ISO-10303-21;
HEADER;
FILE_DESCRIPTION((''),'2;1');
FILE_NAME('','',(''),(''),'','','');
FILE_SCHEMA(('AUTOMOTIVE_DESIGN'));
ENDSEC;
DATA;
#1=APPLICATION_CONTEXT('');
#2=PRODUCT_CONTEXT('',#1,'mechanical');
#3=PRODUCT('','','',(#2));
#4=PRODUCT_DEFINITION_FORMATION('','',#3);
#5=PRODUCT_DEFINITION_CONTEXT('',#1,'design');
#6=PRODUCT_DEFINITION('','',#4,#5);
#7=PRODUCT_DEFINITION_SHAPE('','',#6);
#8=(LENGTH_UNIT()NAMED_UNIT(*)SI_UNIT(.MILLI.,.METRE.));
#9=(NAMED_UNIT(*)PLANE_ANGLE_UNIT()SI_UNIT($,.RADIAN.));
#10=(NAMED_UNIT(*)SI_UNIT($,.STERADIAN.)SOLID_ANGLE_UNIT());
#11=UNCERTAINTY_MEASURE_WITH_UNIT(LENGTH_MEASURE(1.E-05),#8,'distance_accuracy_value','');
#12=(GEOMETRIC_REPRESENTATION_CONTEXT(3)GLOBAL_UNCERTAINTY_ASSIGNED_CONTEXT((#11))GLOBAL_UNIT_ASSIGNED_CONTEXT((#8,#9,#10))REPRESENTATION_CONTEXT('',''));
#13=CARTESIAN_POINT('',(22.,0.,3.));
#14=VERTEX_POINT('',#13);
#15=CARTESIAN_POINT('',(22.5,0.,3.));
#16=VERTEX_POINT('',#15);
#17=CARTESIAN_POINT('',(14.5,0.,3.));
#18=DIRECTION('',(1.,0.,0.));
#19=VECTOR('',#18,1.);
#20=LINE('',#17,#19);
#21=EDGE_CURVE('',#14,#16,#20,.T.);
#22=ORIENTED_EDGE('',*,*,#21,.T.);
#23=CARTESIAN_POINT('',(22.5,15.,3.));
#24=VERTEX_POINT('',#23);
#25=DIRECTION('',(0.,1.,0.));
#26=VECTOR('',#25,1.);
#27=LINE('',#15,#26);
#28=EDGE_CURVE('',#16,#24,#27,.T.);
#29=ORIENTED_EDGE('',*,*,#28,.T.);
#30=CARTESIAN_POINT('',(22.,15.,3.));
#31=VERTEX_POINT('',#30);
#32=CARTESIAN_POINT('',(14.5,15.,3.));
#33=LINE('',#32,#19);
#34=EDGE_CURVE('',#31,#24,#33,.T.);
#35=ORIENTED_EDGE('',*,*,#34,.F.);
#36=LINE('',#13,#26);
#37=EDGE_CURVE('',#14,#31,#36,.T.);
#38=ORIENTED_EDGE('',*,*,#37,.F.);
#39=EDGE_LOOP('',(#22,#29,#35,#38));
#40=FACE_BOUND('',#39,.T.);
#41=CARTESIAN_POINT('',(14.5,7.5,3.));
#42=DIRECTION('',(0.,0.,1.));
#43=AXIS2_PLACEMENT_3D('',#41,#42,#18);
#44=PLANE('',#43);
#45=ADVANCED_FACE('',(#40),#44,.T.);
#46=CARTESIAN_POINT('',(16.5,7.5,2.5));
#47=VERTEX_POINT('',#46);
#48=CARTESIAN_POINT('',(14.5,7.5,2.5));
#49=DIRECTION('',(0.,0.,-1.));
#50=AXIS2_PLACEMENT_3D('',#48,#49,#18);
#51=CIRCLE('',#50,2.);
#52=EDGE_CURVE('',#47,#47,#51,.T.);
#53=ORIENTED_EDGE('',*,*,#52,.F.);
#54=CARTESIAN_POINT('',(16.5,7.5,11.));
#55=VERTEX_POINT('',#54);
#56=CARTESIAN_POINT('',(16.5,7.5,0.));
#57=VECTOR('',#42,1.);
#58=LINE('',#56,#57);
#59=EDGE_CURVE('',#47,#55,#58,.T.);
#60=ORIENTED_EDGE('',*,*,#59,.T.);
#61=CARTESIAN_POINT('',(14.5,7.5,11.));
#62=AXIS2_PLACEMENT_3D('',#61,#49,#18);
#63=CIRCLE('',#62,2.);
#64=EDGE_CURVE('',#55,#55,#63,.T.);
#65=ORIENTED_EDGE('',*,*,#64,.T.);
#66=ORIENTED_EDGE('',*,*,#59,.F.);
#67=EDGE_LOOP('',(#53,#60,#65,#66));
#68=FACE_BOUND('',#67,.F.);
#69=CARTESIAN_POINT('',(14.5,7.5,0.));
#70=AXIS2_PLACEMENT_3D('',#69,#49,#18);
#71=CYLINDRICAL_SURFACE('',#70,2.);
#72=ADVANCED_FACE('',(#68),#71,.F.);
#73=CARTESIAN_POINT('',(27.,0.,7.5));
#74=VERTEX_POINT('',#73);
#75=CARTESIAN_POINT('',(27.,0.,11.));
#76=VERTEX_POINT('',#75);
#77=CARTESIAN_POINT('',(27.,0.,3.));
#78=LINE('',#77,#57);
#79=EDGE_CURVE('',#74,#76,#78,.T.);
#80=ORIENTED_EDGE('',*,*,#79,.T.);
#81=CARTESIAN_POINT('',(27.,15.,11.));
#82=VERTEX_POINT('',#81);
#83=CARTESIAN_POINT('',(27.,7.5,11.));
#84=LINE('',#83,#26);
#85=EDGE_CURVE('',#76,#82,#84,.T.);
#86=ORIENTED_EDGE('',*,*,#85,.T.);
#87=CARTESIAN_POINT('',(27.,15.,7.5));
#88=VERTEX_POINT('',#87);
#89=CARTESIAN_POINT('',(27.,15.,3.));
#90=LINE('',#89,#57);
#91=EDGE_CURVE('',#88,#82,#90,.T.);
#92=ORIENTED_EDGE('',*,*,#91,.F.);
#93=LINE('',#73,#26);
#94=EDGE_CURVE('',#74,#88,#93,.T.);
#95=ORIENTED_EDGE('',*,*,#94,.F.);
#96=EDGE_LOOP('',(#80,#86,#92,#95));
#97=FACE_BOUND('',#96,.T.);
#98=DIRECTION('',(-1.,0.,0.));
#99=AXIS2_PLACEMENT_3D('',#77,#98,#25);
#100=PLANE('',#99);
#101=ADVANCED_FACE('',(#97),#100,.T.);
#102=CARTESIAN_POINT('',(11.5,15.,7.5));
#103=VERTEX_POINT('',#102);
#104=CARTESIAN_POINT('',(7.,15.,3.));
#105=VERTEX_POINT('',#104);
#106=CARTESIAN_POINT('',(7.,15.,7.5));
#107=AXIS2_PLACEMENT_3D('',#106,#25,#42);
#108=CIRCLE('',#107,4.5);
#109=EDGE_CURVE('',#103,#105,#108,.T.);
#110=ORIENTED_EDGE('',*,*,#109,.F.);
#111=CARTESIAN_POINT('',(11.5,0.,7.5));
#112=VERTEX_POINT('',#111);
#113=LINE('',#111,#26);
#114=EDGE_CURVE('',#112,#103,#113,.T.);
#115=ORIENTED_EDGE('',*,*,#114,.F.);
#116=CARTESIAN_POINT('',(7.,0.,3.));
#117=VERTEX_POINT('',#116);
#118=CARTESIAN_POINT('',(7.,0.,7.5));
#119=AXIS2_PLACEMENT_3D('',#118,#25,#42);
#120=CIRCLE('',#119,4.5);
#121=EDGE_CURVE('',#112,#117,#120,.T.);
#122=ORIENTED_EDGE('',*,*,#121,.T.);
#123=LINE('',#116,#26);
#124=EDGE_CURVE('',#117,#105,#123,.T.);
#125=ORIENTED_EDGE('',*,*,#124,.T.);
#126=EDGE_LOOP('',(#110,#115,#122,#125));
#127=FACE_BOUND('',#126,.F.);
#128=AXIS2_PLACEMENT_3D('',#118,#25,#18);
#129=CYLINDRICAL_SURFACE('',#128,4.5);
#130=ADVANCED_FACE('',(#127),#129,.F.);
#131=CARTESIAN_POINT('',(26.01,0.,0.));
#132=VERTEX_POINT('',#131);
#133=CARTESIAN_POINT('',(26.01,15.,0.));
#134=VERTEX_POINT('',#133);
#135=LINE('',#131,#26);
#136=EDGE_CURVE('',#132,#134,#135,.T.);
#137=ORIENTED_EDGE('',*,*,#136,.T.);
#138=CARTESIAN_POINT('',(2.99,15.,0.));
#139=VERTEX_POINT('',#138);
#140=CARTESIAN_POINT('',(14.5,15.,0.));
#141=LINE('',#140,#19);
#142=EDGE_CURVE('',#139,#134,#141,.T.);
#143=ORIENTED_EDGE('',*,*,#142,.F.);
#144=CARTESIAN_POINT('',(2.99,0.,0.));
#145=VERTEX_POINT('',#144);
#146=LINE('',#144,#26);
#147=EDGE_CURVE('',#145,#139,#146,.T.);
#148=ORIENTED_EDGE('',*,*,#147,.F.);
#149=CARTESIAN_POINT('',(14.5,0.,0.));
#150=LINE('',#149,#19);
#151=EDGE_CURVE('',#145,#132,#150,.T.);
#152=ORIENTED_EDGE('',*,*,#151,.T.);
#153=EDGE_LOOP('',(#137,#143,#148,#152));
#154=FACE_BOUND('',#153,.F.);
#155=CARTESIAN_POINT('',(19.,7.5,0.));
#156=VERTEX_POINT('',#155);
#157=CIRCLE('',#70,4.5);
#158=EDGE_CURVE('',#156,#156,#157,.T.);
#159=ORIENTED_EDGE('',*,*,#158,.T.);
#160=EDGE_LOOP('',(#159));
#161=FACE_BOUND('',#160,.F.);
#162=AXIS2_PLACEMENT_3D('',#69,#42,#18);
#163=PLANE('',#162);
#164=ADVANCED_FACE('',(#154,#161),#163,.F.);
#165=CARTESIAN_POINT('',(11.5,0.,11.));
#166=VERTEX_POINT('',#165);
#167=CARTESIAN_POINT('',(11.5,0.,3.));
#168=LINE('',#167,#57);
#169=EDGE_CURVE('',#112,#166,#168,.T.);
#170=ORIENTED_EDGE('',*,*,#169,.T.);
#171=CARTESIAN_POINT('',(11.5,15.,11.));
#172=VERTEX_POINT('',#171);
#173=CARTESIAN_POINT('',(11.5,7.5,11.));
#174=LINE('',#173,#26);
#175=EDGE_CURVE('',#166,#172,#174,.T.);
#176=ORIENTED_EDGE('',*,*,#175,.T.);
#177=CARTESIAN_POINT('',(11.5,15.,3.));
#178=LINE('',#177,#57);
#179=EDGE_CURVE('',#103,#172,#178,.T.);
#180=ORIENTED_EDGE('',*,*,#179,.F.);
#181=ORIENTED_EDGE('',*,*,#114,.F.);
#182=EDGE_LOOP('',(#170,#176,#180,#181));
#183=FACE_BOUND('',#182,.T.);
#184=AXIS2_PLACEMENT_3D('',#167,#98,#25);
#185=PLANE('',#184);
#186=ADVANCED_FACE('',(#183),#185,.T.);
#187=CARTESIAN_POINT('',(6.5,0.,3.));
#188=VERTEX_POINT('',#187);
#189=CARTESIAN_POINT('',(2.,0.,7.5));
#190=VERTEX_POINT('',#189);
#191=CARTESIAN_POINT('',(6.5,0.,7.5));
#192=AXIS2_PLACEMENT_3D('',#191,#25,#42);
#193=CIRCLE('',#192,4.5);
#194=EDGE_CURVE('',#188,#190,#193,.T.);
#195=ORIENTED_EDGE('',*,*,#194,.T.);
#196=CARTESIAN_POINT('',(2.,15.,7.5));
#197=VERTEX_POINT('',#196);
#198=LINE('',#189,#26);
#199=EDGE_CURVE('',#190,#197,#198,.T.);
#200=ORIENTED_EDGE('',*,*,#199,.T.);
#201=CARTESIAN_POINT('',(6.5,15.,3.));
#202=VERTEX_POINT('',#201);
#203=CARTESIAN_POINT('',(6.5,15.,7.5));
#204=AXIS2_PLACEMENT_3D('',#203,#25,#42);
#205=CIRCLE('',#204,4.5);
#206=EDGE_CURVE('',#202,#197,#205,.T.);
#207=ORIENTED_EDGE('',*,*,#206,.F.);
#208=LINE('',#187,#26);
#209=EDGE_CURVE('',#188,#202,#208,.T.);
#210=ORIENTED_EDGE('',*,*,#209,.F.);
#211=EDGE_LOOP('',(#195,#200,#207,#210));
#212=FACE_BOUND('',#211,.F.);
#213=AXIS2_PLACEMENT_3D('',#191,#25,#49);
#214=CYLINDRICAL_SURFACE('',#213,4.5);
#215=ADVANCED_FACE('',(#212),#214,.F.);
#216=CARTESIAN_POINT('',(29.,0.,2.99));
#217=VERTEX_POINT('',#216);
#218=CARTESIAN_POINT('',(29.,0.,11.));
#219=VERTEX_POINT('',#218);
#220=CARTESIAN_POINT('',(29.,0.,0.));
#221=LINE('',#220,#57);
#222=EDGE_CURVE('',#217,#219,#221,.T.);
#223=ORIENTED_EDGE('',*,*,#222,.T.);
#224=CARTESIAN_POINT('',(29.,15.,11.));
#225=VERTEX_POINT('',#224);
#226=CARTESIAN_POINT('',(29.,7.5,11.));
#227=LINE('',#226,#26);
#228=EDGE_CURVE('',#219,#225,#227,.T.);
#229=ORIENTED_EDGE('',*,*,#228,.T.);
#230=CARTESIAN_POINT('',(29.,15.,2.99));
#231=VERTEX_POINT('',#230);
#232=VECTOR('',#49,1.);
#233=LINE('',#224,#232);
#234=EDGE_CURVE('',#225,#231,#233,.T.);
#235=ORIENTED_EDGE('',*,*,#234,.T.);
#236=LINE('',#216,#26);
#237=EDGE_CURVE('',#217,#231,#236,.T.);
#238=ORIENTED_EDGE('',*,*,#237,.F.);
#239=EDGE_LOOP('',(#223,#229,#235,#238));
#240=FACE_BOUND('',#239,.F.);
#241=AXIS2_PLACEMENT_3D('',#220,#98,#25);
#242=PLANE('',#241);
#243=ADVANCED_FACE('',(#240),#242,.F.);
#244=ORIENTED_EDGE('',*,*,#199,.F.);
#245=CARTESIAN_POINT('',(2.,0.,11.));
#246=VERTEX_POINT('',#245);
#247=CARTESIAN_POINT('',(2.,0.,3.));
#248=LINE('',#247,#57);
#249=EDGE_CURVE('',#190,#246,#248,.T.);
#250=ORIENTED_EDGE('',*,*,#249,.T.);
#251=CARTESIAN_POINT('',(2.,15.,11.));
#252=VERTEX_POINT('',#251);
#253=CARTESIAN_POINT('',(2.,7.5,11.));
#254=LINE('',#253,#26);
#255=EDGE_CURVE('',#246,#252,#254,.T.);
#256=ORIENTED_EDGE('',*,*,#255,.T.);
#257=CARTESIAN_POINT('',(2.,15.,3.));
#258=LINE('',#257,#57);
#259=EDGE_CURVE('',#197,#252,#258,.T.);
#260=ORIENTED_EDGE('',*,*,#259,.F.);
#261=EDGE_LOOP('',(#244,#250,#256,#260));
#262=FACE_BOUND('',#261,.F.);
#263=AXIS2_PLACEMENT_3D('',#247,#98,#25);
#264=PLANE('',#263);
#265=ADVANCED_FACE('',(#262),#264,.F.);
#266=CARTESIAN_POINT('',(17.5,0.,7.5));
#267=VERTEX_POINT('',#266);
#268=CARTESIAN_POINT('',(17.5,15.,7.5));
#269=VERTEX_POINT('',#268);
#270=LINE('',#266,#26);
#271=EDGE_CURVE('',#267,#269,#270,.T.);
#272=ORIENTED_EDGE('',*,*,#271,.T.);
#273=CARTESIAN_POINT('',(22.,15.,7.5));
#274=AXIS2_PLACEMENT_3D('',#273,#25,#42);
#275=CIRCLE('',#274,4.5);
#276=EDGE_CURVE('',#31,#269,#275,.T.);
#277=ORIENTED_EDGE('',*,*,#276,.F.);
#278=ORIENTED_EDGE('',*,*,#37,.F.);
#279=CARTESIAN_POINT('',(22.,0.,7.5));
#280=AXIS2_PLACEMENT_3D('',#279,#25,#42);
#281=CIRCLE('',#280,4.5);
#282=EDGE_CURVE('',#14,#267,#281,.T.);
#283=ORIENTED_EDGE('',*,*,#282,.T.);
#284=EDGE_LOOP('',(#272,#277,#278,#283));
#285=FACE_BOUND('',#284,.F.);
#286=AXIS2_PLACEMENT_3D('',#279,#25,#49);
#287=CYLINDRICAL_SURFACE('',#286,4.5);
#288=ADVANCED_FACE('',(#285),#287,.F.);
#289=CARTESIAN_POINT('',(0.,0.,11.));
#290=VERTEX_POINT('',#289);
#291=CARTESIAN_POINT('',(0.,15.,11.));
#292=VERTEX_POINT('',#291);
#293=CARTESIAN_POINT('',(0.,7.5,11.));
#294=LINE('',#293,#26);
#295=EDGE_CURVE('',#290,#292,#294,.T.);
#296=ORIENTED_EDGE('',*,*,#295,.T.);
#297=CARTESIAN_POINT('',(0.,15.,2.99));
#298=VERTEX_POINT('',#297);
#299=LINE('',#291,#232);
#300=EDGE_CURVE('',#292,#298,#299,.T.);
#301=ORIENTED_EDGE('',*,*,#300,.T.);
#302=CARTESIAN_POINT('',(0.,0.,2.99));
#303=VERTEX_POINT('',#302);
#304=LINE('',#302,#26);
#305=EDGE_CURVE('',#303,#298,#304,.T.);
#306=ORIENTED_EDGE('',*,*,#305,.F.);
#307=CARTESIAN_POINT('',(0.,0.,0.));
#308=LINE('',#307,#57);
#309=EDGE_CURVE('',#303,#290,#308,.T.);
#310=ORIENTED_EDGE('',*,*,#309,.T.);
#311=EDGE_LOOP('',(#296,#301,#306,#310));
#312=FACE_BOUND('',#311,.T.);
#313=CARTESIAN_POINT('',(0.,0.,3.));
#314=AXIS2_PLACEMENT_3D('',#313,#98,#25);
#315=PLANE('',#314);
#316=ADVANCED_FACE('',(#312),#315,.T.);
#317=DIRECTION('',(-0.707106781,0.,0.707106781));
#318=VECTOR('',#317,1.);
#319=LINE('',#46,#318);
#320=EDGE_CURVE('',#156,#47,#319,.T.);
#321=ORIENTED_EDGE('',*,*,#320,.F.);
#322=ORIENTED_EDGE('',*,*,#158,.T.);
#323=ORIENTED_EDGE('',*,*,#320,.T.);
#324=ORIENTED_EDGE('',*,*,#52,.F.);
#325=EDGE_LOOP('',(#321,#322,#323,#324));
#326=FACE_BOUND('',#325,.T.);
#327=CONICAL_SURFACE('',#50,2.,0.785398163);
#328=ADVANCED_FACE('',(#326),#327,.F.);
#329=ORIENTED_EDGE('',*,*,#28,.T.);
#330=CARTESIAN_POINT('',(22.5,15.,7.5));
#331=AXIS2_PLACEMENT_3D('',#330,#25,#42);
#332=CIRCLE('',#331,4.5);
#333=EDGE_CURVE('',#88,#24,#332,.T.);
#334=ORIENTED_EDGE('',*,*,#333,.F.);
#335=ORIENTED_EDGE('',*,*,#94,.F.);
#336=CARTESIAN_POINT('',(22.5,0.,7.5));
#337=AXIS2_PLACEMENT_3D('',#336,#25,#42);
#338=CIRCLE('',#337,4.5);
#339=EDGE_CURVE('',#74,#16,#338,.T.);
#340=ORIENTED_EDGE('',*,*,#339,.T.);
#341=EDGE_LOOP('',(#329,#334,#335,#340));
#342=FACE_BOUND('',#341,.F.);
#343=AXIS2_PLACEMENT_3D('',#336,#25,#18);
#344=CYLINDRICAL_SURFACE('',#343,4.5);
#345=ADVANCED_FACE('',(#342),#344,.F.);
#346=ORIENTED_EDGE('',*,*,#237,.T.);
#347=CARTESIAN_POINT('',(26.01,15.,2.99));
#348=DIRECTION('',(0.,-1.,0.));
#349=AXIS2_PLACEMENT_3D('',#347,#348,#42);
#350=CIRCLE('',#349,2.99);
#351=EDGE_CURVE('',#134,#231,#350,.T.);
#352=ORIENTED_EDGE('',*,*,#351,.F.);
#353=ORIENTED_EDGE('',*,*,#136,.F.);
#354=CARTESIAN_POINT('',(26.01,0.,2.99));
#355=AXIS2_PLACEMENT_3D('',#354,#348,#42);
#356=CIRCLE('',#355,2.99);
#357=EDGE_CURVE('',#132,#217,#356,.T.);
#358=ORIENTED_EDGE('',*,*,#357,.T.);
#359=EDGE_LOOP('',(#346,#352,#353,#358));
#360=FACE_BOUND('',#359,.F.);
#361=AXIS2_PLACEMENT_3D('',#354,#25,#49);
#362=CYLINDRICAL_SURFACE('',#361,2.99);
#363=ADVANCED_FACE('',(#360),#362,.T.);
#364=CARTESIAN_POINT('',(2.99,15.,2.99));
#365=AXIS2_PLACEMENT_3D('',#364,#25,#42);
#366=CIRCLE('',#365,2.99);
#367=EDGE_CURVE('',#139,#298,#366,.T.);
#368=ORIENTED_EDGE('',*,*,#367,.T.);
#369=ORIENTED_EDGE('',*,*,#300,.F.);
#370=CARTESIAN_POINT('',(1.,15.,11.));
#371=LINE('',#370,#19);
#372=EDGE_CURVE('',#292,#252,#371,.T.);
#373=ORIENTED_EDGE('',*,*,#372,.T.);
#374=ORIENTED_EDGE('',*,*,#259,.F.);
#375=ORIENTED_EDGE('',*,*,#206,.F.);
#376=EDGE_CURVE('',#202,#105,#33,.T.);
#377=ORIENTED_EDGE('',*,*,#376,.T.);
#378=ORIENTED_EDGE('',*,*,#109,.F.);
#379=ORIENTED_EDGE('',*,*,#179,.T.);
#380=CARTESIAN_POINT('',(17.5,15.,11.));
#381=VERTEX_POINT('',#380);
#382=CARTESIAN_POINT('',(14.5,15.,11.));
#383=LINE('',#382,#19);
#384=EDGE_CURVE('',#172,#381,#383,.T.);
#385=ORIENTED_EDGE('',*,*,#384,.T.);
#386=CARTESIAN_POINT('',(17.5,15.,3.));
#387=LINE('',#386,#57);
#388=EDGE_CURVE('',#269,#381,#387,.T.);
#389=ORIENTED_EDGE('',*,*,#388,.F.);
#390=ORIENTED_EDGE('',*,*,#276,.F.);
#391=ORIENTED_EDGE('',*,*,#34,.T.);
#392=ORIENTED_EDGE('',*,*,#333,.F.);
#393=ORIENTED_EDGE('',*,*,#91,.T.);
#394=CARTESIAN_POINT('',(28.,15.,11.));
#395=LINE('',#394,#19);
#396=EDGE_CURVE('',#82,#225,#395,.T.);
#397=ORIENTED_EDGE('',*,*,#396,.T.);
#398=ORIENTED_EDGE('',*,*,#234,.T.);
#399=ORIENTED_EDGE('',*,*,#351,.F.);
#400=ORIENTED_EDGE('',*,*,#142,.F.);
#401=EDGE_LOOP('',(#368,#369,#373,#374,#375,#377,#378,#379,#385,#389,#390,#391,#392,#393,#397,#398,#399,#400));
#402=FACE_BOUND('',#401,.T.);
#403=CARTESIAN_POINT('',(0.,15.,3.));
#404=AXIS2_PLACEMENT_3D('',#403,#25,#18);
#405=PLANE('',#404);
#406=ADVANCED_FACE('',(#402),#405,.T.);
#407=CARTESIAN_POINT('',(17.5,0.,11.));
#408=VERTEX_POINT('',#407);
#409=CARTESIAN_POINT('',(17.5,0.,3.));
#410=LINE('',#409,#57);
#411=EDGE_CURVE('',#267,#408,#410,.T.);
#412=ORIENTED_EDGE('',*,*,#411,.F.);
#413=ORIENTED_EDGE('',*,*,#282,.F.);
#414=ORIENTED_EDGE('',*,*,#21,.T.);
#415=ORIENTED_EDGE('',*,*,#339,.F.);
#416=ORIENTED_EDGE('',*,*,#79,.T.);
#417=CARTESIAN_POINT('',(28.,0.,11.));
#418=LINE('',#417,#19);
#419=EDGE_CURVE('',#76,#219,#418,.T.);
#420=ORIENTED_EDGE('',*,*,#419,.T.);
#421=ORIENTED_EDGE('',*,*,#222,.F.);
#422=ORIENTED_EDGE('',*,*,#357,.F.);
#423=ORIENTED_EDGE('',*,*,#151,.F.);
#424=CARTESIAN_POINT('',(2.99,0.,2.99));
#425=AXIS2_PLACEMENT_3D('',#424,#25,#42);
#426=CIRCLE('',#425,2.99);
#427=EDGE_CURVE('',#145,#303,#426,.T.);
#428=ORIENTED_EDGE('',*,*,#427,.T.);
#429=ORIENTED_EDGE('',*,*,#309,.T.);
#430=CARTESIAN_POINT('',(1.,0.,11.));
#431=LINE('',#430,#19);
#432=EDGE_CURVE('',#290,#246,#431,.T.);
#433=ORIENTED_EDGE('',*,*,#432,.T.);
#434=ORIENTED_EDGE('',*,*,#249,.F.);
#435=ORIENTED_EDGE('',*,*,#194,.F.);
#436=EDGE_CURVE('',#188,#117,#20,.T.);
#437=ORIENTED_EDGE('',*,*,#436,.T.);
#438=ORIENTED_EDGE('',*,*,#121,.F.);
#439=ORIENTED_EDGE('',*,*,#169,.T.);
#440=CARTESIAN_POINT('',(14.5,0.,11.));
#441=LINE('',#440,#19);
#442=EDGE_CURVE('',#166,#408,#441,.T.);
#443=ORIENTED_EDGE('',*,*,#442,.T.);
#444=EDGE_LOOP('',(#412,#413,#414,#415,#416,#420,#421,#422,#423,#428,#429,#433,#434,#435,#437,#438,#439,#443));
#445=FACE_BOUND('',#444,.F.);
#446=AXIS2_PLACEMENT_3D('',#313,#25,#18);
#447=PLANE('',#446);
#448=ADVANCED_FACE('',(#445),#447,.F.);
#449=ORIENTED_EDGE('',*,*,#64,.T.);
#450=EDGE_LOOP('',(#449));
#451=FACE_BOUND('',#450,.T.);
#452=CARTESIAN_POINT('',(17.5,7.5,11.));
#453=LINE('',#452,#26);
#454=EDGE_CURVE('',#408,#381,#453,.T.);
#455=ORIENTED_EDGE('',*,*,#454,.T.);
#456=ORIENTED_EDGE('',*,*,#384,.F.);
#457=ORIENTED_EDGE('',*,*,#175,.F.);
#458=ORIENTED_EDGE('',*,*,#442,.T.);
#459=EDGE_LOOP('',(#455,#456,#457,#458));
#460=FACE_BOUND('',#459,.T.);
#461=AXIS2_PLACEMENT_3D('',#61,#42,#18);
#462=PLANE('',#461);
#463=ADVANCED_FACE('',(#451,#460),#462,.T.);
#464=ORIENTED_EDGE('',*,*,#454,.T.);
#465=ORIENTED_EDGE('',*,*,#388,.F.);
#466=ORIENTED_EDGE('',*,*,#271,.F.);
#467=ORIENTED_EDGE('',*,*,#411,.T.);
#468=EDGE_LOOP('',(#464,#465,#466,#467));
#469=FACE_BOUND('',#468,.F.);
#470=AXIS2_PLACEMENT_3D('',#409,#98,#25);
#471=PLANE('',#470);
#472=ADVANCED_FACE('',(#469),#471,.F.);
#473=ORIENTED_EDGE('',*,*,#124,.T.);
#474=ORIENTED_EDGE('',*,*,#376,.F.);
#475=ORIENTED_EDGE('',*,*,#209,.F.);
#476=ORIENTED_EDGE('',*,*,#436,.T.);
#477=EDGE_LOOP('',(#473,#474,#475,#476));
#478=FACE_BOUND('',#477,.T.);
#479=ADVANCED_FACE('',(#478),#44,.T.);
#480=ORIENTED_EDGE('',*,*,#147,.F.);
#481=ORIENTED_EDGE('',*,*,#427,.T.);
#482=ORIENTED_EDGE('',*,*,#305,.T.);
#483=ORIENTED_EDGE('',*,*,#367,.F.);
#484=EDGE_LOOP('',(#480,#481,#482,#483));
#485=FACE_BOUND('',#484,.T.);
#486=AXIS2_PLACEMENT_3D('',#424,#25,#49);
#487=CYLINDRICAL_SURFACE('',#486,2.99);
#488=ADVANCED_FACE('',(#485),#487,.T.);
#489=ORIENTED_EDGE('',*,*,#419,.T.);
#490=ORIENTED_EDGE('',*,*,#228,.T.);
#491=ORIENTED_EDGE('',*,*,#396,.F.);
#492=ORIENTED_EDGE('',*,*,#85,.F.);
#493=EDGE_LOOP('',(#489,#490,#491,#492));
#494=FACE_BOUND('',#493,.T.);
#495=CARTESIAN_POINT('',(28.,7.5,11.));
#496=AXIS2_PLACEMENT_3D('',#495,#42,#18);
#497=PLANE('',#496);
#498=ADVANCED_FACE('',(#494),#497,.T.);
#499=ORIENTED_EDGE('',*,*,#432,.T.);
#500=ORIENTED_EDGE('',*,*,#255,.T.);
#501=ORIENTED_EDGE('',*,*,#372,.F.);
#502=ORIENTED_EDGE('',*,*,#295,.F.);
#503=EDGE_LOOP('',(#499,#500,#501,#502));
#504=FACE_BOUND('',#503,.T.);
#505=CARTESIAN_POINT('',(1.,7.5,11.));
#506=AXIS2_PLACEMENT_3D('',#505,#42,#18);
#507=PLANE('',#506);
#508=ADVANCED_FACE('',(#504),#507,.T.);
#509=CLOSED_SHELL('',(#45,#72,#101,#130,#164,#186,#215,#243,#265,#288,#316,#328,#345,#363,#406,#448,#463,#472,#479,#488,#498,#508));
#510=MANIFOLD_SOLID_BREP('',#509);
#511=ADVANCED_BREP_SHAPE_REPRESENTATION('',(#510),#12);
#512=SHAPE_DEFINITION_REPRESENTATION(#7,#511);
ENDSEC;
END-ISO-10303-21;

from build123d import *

# Parameters (mm, degrees)
SKETCH_W      = 29
SKETCH_H      = 15
PAD_DEPTH     = 3
SKETCH001_W   = 2
SKETCH001_H   = 15
SKETCH001_W_2 = 6
PAD001_DEPTH  = 8
FILLET_R      = 4.5
SKETCH002_R   = 2
POCKET_DEPTH  = 11.001
CHAMFER_SIZE  = 2.5
FILLET001_R   = 2.99


with BuildPart() as part:
    # Sketch → Pad (new body)
    with BuildSketch(Plane.XY):
        with Locations((14.5, 7.5)):
            Rectangle(SKETCH_W, SKETCH_H)
    extrude(amount=PAD_DEPTH)

    # Sketch001 (on Face6 of Pad) → Pad001 (join)
    with BuildSketch(Plane.XY.offset(3)):
        with Locations((1, 7.5)):
            Rectangle(SKETCH001_W, SKETCH001_H)
        with Locations((14.5, 7.5)):
            Rectangle(SKETCH001_W_2, SKETCH001_H)
        with Locations((28, 7.5)):
            Rectangle(SKETCH001_W, SKETCH001_H)
    extrude(amount=PAD001_DEPTH)

    # Fillet
    fillet_edges = [part.edges().sort_by_distance(p)[0] for p in [
        (2, 7.5, 3),
        (11.5, 7.5, 3),
        (17.5, 7.5, 3),
        (27, 7.5, 3),
    ]]
    fillet(fillet_edges, radius=FILLET_R)

    # Sketch002 (on Face6 of Fillet) → Pocket (cut, through all)
    with BuildSketch(Plane(origin=(0, 0, 0), x_dir=(1, 0, 0), z_dir=(0, 0, -1))):
        with Locations((14.5, -7.5)):
            Circle(SKETCH002_R)
    extrude(amount=-POCKET_DEPTH, mode=Mode.SUBTRACT)

    # Chamfer
    chamfer_edges = [part.edges().sort_by_distance(p)[0] for p in [
        (12.5, 7.5, 0),
    ]]
    chamfer(chamfer_edges, length=CHAMFER_SIZE)

    # Fillet001
    fillet001_edges = [part.edges().sort_by_distance(p)[0] for p in [
        (0, 7.5, 0),
        (29, 7.5, 0),
    ]]
    fillet(fillet001_edges, radius=FILLET001_R)


solid = part.part
